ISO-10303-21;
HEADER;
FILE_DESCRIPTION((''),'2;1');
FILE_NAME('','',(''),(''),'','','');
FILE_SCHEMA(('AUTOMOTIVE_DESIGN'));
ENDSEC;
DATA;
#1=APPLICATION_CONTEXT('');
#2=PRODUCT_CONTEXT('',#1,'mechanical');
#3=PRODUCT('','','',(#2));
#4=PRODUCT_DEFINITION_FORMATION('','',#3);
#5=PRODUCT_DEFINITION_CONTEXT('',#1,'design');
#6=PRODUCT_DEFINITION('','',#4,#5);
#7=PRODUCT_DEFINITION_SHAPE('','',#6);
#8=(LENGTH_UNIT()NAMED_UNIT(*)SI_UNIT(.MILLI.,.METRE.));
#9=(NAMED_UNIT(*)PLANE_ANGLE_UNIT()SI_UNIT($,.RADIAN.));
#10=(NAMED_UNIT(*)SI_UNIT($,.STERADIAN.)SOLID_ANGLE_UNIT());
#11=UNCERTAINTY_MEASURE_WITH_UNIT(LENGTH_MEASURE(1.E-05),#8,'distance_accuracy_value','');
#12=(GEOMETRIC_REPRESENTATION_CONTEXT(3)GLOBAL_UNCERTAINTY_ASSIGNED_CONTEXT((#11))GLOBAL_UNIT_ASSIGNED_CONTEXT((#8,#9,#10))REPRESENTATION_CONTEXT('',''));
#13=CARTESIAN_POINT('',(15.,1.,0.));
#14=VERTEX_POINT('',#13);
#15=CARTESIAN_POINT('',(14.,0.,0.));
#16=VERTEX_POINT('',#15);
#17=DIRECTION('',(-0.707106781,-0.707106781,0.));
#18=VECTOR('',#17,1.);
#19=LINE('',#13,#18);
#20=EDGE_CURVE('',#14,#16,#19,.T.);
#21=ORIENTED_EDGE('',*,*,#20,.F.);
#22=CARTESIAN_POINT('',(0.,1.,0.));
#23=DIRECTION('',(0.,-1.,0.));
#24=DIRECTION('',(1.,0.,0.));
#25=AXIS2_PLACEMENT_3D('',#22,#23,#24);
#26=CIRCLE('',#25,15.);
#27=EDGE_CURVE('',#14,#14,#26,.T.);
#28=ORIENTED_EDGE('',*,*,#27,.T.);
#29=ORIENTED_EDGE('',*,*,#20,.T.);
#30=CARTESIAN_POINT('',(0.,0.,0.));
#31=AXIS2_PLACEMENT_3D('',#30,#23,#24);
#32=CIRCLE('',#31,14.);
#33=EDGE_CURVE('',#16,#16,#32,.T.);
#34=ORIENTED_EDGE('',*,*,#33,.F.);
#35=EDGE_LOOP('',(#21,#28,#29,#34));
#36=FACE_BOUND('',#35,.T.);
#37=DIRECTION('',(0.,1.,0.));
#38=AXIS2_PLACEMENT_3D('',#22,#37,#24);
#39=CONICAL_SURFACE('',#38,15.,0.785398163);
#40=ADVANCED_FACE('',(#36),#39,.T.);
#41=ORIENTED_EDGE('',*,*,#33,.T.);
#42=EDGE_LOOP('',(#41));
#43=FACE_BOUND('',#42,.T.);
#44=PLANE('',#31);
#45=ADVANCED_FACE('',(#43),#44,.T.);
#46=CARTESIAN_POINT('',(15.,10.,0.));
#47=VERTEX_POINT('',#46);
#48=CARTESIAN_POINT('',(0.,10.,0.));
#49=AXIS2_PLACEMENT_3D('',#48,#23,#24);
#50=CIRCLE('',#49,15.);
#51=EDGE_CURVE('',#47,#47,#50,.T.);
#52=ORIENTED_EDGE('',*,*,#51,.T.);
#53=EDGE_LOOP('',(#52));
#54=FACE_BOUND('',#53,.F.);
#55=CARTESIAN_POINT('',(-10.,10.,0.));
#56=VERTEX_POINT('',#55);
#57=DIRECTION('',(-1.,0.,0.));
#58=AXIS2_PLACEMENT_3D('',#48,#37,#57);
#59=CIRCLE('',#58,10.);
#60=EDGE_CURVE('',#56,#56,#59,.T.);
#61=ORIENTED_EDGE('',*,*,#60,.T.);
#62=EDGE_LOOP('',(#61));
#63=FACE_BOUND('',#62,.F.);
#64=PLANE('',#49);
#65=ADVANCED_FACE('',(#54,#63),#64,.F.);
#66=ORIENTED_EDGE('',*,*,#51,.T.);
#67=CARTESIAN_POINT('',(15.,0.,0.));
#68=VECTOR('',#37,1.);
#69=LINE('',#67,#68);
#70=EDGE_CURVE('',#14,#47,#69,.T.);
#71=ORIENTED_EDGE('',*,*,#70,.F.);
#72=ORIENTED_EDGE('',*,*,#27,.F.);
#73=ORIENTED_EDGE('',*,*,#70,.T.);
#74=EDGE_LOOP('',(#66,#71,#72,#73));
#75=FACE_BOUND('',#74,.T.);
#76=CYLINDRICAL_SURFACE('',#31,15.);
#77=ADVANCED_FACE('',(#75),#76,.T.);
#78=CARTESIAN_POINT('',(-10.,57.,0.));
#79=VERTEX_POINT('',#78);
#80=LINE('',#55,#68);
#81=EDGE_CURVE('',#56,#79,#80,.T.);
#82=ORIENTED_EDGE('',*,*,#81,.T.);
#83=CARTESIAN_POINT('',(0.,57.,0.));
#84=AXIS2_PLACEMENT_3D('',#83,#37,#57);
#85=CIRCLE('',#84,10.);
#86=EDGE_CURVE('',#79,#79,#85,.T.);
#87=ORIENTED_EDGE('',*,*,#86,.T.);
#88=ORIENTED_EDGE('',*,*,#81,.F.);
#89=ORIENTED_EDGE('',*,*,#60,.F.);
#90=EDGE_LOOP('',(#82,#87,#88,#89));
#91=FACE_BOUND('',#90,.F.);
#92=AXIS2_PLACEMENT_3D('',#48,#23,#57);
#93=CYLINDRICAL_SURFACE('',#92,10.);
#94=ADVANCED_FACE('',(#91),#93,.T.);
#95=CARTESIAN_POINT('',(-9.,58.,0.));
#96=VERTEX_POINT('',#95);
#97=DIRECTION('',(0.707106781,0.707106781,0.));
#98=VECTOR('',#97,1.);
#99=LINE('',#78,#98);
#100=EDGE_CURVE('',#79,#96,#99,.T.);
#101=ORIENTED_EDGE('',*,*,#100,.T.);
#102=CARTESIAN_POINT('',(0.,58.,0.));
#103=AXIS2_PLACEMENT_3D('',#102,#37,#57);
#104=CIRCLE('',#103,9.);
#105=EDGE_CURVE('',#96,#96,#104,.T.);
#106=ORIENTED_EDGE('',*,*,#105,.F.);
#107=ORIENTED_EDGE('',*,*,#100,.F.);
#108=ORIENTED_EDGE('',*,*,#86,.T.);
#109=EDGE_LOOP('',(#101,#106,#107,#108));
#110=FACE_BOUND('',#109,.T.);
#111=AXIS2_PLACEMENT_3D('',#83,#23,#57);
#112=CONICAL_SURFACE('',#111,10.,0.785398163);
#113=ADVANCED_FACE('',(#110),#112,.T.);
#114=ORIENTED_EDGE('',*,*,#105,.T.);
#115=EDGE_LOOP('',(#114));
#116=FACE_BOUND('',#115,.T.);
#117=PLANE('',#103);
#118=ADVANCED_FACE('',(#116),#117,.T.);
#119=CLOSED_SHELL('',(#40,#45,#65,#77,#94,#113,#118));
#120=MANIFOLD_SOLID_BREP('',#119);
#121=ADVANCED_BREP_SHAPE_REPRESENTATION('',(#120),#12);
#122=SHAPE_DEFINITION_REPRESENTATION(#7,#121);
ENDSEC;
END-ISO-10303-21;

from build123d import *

# Parameters (mm, degrees)
F0_R     = 15
F1_DEPTH = 10
F2_R     = 10
F3_DEPTH = 48
F4_SIZE  = 1


with BuildPart() as f1:
    # F0 (on Front) → F1 (new body)
    with BuildSketch(Plane.XZ):
        Circle(F0_R)
    extrude(amount=-F1_DEPTH)

    # F2 (on face) → F3 (join)
    with BuildSketch(Plane(origin=(0, 10, 0), x_dir=(-1, 0, 0), z_dir=(0, 1, 0))):
        Circle(F2_R)
    extrude(amount=F3_DEPTH)

    # F4
    f4_edges = [f1.edges().sort_by_distance(p)[0] for p in [
        (10, 58, 0),
        (-15, 0, 0),
    ]]
    chamfer(f4_edges, length=F4_SIZE)


solid = f1.part
